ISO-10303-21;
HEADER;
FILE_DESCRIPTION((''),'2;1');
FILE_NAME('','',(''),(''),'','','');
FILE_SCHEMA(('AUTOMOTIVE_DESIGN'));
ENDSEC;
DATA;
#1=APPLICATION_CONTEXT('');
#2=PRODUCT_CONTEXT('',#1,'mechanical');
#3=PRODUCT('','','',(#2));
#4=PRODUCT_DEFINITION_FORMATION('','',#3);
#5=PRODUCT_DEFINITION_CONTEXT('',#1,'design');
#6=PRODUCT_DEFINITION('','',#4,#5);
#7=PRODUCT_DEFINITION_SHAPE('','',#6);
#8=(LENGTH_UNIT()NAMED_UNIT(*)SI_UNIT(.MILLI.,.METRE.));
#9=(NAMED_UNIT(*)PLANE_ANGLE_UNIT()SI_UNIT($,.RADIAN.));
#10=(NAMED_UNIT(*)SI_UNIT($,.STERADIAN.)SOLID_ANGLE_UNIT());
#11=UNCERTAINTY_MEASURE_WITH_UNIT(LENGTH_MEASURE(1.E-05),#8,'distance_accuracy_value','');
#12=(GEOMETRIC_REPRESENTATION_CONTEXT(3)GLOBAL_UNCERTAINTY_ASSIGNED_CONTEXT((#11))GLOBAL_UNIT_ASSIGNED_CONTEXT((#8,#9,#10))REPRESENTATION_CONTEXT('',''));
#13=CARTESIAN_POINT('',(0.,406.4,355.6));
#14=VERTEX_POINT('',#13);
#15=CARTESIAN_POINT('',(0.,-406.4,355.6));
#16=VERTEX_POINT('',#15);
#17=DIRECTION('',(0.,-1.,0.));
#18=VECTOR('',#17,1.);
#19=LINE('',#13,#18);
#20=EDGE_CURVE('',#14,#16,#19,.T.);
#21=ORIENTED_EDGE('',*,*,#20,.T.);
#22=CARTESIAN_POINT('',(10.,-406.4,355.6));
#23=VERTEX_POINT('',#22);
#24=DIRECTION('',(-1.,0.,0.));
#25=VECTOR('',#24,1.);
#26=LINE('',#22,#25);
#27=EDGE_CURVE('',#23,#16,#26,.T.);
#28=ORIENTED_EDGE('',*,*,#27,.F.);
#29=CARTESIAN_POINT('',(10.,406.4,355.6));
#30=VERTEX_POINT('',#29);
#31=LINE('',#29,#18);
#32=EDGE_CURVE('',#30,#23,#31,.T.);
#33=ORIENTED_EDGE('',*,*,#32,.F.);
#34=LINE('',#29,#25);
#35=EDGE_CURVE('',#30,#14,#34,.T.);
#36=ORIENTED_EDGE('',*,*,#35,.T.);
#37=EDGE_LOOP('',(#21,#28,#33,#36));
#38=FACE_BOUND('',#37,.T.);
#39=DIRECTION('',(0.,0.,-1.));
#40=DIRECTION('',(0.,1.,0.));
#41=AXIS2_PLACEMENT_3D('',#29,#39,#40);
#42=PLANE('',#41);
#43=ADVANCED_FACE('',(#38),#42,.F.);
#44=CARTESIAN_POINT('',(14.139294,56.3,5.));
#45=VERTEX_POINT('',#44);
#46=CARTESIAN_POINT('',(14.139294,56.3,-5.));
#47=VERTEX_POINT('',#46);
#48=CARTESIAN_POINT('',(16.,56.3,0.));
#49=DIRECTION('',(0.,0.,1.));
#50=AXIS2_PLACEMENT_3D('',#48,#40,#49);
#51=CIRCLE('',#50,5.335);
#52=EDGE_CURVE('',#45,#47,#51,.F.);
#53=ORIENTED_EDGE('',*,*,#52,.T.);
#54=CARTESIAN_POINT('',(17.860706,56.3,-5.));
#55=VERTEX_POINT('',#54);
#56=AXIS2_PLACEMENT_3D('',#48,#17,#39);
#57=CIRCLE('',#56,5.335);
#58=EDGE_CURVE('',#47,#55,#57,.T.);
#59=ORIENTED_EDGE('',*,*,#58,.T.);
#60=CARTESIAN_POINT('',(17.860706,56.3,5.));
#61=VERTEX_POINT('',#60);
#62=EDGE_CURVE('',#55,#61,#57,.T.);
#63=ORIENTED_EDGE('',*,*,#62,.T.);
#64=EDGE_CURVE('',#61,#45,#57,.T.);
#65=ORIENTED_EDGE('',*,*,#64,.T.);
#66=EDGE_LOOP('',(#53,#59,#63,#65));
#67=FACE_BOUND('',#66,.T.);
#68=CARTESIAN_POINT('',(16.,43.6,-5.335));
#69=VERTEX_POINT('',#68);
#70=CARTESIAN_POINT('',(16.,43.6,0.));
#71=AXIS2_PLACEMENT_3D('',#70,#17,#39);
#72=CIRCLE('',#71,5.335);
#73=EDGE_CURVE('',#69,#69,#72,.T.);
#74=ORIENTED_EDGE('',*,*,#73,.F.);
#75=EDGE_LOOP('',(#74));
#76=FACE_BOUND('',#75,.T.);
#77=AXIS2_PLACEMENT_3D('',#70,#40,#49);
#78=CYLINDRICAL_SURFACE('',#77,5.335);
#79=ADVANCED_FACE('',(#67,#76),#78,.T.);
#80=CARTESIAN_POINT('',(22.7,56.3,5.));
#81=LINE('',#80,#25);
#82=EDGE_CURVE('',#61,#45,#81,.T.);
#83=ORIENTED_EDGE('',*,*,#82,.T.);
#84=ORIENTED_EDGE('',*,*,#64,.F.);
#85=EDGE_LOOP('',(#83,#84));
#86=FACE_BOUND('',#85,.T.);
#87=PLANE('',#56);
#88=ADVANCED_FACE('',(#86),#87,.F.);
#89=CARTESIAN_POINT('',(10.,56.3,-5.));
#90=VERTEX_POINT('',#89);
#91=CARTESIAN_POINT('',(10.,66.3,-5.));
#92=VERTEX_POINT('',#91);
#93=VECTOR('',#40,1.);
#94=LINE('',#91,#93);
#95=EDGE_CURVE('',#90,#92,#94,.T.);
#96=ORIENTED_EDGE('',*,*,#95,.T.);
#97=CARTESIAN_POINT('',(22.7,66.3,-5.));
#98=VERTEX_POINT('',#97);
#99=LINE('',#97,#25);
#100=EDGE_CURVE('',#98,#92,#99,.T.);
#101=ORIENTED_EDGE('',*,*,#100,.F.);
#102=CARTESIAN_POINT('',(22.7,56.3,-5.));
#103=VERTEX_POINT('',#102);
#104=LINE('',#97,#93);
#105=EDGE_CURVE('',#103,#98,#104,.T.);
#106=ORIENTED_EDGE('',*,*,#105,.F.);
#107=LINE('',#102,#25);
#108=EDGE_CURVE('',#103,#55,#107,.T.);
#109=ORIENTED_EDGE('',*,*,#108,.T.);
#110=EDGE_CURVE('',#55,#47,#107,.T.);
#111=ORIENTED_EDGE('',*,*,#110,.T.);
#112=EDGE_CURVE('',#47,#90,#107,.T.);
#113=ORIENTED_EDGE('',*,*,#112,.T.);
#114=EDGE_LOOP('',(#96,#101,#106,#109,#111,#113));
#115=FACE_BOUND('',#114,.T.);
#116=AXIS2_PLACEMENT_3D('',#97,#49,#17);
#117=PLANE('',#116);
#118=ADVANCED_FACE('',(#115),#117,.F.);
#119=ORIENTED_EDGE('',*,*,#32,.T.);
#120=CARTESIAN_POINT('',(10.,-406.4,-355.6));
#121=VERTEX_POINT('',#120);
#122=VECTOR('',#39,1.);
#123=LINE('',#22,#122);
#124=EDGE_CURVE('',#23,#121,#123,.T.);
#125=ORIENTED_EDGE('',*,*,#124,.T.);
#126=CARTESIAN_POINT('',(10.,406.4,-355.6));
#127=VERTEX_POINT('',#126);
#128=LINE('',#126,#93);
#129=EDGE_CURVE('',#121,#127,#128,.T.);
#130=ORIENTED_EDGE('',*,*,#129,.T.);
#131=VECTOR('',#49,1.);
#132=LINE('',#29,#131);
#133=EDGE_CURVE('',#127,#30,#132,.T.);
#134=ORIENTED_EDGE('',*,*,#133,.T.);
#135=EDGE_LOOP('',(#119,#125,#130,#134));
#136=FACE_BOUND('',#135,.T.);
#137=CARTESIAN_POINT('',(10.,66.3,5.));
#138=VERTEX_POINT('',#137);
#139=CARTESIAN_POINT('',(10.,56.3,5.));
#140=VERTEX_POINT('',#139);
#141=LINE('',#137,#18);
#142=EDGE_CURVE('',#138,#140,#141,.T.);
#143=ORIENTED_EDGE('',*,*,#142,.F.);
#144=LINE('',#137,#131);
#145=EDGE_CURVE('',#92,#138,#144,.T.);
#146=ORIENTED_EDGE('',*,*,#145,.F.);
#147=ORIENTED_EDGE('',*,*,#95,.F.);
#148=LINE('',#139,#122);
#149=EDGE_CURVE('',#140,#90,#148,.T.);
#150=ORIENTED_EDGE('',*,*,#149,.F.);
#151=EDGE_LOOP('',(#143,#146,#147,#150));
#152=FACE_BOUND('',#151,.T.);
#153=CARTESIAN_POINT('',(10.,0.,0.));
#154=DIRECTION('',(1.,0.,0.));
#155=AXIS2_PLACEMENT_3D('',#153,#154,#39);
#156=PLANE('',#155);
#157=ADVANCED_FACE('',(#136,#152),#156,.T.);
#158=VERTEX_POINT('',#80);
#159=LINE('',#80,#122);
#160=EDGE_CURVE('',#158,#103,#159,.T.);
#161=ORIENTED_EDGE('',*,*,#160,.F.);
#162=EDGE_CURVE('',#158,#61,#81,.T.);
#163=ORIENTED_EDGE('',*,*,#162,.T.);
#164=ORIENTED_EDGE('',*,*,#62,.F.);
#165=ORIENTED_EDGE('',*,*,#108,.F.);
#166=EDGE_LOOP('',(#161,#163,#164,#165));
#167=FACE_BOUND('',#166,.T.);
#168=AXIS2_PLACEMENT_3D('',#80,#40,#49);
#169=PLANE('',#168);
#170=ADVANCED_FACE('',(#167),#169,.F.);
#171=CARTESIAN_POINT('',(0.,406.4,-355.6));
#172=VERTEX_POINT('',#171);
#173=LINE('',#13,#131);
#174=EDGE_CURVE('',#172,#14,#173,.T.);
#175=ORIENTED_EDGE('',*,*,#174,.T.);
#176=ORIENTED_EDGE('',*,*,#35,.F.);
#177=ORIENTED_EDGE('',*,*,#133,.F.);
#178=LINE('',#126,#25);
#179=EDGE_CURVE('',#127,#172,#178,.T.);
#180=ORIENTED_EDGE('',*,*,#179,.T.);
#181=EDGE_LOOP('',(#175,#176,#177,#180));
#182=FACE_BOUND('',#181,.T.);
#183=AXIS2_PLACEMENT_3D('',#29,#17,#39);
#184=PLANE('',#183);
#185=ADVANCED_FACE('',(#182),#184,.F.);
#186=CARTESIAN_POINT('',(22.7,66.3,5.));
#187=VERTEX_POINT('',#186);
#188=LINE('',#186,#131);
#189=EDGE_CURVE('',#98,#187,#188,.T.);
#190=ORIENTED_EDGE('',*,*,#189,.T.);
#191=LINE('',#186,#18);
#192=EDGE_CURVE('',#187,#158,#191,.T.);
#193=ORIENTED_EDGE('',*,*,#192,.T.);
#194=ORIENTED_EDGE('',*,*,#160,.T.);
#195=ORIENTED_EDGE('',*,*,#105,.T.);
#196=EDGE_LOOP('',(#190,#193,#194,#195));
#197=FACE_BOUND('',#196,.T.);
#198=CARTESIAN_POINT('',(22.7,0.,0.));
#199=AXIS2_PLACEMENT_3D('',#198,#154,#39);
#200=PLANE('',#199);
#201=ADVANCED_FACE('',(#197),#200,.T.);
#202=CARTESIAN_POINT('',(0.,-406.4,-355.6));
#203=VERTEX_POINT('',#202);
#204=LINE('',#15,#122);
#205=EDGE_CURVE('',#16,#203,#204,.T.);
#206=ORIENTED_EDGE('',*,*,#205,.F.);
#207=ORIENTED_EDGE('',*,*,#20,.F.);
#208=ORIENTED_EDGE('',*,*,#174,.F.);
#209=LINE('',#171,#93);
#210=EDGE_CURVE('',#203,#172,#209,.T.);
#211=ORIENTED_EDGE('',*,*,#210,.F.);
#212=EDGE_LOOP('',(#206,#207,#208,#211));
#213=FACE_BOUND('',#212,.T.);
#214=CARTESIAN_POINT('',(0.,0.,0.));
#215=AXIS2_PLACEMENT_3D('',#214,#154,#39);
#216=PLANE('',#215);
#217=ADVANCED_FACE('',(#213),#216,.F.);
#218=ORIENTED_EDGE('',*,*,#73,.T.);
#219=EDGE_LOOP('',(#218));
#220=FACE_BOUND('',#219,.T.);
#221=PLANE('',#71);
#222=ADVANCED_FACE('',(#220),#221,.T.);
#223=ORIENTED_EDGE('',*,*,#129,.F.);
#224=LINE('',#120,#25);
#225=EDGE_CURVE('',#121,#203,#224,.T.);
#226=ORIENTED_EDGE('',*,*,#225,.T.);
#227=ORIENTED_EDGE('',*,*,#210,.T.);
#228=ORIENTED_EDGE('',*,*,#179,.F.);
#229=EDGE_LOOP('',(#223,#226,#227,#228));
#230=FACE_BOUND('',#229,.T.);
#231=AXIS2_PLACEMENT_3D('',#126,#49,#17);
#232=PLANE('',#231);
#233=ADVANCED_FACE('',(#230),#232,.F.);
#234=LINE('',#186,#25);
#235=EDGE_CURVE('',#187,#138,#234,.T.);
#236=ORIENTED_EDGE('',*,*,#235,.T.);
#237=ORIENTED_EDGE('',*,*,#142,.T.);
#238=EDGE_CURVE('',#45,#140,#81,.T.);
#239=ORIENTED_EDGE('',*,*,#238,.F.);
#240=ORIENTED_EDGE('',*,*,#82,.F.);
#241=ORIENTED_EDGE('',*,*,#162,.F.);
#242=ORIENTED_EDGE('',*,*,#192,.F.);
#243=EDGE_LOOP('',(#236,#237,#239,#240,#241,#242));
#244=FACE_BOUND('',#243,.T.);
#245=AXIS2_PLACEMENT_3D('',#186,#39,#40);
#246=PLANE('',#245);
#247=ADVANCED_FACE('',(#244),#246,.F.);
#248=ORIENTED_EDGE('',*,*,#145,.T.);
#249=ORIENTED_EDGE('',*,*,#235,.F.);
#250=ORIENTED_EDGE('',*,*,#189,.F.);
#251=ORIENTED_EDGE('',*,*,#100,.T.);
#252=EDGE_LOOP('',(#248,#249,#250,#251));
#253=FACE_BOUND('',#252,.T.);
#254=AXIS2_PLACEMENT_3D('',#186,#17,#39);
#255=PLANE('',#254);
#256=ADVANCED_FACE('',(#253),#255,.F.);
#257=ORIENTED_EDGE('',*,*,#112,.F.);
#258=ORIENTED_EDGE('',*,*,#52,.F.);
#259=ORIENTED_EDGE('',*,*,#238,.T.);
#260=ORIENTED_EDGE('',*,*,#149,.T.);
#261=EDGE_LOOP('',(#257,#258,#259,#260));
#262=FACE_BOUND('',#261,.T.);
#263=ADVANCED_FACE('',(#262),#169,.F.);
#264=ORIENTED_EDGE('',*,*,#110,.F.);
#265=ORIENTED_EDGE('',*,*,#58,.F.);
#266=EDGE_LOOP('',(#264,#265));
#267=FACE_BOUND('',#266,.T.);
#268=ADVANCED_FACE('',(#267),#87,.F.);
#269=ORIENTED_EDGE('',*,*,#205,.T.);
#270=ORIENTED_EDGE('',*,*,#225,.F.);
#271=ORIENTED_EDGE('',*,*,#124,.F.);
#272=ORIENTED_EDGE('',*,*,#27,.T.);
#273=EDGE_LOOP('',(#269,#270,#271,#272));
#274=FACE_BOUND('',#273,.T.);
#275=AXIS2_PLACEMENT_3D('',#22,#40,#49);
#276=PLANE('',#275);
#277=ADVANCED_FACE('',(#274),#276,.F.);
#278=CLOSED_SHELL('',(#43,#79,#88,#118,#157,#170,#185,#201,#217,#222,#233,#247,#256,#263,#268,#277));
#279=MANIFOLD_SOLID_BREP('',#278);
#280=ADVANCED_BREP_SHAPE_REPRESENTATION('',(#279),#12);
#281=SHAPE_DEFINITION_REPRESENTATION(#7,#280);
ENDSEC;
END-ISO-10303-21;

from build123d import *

# Parameters (mm, degrees)
SKETCH1_W           = 711.2
SKETCH1_H           = 812.8
BOSS_EXTRUDE1_DEPTH = 10
SKETCH2_W           = 10
SKETCH2_H           = 10
BOSS_EXTRUDE2_DEPTH = 12.7
SKETCH4_R           = 5.335
BOSS_EXTRUDE5_DEPTH = 12.7


with BuildPart() as part:
    # Sketch1 → Boss-Extrude1 (new body)
    with BuildSketch(Plane(origin=(0, 0, 0), x_dir=(0, 0, -1), z_dir=(1, 0, 0))):
        Rectangle(SKETCH1_W, SKETCH1_H)
    extrude(amount=BOSS_EXTRUDE1_DEPTH)

    # Sketch2 → Boss-Extrude2 (add)
    with BuildSketch(Plane(origin=(10, 0, 0), x_dir=(0, 0, -1), z_dir=(1, 0, 0))):
        with Locations((0, 61.3)):
            Rectangle(SKETCH2_W, SKETCH2_H)
    extrude(amount=BOSS_EXTRUDE2_DEPTH)

    # Sketch4 → Boss-Extrude5 (add)
    with BuildSketch(Plane.XZ.offset(-56.3)):
        with Locations(Location((16, 0, 0), (0, 0, 69.587697496))):
            Circle(SKETCH4_R)
    extrude(amount=BOSS_EXTRUDE5_DEPTH)


solid = part.part
